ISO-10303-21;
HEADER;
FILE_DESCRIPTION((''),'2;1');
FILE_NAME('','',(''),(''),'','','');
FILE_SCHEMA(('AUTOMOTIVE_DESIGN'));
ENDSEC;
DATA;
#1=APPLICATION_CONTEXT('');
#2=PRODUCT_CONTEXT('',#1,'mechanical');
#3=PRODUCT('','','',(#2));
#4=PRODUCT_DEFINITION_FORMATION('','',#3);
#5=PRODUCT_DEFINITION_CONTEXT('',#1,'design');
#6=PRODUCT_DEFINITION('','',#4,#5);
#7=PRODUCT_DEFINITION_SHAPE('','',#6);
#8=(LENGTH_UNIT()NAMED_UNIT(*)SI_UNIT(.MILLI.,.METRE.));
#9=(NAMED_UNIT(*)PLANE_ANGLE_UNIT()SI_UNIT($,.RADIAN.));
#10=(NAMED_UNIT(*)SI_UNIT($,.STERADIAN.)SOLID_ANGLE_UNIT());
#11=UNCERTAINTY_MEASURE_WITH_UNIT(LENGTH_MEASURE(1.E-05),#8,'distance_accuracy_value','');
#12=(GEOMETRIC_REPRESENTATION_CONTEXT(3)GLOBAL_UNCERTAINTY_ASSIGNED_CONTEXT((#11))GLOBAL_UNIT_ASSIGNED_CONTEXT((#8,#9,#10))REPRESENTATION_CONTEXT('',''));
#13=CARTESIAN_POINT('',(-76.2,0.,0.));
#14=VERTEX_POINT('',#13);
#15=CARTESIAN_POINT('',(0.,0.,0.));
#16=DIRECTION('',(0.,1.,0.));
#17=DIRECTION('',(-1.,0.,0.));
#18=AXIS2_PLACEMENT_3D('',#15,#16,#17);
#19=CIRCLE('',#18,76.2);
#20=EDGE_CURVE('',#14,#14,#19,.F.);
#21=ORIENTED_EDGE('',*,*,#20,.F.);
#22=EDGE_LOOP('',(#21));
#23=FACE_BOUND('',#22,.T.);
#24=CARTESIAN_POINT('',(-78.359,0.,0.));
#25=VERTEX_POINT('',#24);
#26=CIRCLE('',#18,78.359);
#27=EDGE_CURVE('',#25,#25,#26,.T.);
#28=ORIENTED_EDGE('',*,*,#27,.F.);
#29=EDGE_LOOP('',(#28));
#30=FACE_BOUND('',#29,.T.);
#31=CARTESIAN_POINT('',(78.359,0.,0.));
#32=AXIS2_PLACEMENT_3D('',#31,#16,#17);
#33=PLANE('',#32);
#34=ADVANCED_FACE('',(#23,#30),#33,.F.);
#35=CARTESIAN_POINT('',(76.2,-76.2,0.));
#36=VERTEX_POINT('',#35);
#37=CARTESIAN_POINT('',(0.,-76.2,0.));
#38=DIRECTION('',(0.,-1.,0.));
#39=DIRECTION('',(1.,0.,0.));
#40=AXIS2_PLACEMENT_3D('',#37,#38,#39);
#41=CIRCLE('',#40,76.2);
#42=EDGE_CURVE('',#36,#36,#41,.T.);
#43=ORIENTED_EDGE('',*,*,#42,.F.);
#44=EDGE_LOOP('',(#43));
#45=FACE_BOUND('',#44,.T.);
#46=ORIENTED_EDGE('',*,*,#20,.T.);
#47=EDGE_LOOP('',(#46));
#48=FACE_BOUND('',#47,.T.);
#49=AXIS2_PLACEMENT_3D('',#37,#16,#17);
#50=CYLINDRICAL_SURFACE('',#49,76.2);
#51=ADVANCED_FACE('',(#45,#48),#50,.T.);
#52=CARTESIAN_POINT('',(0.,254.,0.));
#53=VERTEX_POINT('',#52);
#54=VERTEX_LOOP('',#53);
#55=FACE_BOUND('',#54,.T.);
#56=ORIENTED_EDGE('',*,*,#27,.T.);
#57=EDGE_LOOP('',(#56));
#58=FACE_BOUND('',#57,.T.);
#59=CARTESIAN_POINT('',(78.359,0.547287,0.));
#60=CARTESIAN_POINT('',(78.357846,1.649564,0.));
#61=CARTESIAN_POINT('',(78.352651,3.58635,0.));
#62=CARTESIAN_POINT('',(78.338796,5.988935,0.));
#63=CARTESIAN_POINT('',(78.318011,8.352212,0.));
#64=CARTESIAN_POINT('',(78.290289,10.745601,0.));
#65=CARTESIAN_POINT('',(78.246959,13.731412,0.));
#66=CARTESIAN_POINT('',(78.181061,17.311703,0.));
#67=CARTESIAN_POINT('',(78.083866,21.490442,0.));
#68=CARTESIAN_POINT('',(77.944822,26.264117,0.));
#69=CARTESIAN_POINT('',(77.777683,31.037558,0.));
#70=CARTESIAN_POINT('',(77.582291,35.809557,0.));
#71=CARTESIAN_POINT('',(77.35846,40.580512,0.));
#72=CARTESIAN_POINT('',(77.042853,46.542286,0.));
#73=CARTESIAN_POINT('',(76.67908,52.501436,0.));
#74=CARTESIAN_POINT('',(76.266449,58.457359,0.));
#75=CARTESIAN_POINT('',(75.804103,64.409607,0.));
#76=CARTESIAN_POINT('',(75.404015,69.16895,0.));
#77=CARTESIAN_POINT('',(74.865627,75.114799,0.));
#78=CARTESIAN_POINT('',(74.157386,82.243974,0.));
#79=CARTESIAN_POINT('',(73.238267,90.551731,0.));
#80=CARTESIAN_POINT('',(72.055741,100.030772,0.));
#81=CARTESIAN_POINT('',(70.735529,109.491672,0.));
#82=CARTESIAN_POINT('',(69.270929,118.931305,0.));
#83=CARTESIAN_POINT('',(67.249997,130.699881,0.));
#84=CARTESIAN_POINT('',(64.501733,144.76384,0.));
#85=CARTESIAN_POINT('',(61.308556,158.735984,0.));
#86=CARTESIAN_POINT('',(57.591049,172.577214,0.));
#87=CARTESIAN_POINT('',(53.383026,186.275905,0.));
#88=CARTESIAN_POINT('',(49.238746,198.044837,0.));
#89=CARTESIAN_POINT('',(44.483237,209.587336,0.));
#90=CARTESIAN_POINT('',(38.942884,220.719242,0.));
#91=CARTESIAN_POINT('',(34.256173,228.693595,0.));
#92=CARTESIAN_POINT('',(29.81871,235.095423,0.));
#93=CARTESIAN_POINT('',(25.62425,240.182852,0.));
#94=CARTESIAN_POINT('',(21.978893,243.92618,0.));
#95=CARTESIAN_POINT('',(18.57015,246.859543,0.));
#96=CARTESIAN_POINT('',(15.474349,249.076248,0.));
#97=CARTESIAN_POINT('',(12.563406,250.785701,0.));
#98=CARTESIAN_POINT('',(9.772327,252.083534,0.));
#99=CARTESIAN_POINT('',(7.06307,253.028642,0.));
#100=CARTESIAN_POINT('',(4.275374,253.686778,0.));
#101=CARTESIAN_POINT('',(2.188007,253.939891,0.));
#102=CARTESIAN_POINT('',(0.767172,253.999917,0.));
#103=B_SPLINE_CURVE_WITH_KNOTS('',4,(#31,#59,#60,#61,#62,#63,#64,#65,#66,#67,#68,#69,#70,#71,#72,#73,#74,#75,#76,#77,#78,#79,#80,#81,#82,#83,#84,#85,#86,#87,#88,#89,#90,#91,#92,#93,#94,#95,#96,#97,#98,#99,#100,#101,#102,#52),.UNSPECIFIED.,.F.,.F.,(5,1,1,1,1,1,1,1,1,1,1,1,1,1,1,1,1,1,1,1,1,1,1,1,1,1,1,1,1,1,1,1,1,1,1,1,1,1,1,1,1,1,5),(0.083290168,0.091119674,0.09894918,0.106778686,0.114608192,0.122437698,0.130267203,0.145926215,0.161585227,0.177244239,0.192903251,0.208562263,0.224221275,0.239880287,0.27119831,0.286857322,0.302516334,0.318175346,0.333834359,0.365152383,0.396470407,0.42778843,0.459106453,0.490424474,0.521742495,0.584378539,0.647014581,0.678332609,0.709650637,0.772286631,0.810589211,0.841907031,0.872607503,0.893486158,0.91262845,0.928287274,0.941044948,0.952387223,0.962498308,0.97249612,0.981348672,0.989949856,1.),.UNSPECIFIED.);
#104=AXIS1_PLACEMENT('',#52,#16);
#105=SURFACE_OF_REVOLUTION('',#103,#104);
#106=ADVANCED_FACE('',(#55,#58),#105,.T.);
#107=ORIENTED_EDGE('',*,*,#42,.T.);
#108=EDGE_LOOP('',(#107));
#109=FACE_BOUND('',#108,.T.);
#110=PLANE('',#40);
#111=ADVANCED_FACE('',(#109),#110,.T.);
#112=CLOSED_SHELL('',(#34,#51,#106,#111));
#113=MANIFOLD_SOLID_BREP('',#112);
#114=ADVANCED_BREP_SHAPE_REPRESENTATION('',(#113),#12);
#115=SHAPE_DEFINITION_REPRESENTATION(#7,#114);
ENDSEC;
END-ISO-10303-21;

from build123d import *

# Parameters (mm, degrees)
SKETCH2_R           = 76.2
BOSS_EXTRUDE1_DEPTH = 76.2


with BuildPart() as part:
    # Sketch1 → Revolve1 (revolve)
    with BuildSketch(Plane.XY):
        with BuildLine():
            Line((78.359, 0), (0, 0))
            Line((0, 0), (0, 254))
            add(Edge.make_bspline(
                [(78.359, 0), (78.359, 0.547287489), (78.357845602, 1.649563618), (78.352650776, 3.586349875), (78.338796346, 5.988934596), (78.318010672, 8.352211569), (78.29028895, 10.745600888), (78.246958697, 13.731411826), (78.181061307, 17.311703382), (78.08386626, 21.490442467), (77.944822085, 26.264117007), (77.777683186, 31.037557631), (77.58229134, 35.809557456), (77.358460439, 40.580511863), (77.042853487, 46.542286246), (76.679080298, 52.501436144), (76.266448568, 58.457359127), (75.804102806, 64.409607399), (75.404015228, 69.168949637), (74.865626928, 75.114798701), (74.157385744, 82.243973993), (73.238266918, 90.551730955), (72.055740597, 100.030771811), (70.735528943, 109.491671534), (69.270929118, 118.931305028), (67.249996919, 130.699881306), (64.501732948, 144.763840427), (61.308555538, 158.735984092), (57.591049496, 172.577213574), (53.383025938, 186.275905479), (49.238746312, 198.044837449), (44.48323743, 209.587335711), (38.942884235, 220.71924179), (34.256173135, 228.693595393), (29.818710248, 235.095423042), (25.624249732, 240.182852143), (21.978892835, 243.926180276), (18.570150197, 246.859542723), (15.474349081, 249.076247661), (12.563405711, 250.785701438), (9.772327363, 252.08353387), (7.063069709, 253.028642362), (4.275373805, 253.686778481), (2.188006886, 253.939891173), (0.767171586, 253.999916555), (0, 254)],
                knots=[0.083290168, 0.083290168, 0.083290168, 0.083290168, 0.083290168, 0.091119674, 0.09894918, 0.106778686, 0.114608192, 0.122437698, 0.130267203, 0.145926215, 0.161585227, 0.177244239, 0.192903251, 0.208562263, 0.224221275, 0.239880287, 0.27119831, 0.286857322, 0.302516334, 0.318175346, 0.333834359, 0.365152383, 0.396470407, 0.42778843, 0.459106453, 0.490424474, 0.521742495, 0.584378539, 0.647014581, 0.678332609, 0.709650637, 0.772286631, 0.810589211, 0.841907031, 0.872607503, 0.893486158, 0.91262845, 0.928287274, 0.941044948, 0.952387223, 0.962498308, 0.97249612, 0.981348672, 0.989949856, 1, 1, 1, 1, 1], degree=4))
        make_face()
    revolve(axis=Axis((0, 254, 0), (0, -1, 0)))

    # Sketch2 → Boss-Extrude1 (add)
    with BuildSketch(Plane.XZ):
        Circle(SKETCH2_R)
    extrude(amount=BOSS_EXTRUDE1_DEPTH)


solid = part.part
